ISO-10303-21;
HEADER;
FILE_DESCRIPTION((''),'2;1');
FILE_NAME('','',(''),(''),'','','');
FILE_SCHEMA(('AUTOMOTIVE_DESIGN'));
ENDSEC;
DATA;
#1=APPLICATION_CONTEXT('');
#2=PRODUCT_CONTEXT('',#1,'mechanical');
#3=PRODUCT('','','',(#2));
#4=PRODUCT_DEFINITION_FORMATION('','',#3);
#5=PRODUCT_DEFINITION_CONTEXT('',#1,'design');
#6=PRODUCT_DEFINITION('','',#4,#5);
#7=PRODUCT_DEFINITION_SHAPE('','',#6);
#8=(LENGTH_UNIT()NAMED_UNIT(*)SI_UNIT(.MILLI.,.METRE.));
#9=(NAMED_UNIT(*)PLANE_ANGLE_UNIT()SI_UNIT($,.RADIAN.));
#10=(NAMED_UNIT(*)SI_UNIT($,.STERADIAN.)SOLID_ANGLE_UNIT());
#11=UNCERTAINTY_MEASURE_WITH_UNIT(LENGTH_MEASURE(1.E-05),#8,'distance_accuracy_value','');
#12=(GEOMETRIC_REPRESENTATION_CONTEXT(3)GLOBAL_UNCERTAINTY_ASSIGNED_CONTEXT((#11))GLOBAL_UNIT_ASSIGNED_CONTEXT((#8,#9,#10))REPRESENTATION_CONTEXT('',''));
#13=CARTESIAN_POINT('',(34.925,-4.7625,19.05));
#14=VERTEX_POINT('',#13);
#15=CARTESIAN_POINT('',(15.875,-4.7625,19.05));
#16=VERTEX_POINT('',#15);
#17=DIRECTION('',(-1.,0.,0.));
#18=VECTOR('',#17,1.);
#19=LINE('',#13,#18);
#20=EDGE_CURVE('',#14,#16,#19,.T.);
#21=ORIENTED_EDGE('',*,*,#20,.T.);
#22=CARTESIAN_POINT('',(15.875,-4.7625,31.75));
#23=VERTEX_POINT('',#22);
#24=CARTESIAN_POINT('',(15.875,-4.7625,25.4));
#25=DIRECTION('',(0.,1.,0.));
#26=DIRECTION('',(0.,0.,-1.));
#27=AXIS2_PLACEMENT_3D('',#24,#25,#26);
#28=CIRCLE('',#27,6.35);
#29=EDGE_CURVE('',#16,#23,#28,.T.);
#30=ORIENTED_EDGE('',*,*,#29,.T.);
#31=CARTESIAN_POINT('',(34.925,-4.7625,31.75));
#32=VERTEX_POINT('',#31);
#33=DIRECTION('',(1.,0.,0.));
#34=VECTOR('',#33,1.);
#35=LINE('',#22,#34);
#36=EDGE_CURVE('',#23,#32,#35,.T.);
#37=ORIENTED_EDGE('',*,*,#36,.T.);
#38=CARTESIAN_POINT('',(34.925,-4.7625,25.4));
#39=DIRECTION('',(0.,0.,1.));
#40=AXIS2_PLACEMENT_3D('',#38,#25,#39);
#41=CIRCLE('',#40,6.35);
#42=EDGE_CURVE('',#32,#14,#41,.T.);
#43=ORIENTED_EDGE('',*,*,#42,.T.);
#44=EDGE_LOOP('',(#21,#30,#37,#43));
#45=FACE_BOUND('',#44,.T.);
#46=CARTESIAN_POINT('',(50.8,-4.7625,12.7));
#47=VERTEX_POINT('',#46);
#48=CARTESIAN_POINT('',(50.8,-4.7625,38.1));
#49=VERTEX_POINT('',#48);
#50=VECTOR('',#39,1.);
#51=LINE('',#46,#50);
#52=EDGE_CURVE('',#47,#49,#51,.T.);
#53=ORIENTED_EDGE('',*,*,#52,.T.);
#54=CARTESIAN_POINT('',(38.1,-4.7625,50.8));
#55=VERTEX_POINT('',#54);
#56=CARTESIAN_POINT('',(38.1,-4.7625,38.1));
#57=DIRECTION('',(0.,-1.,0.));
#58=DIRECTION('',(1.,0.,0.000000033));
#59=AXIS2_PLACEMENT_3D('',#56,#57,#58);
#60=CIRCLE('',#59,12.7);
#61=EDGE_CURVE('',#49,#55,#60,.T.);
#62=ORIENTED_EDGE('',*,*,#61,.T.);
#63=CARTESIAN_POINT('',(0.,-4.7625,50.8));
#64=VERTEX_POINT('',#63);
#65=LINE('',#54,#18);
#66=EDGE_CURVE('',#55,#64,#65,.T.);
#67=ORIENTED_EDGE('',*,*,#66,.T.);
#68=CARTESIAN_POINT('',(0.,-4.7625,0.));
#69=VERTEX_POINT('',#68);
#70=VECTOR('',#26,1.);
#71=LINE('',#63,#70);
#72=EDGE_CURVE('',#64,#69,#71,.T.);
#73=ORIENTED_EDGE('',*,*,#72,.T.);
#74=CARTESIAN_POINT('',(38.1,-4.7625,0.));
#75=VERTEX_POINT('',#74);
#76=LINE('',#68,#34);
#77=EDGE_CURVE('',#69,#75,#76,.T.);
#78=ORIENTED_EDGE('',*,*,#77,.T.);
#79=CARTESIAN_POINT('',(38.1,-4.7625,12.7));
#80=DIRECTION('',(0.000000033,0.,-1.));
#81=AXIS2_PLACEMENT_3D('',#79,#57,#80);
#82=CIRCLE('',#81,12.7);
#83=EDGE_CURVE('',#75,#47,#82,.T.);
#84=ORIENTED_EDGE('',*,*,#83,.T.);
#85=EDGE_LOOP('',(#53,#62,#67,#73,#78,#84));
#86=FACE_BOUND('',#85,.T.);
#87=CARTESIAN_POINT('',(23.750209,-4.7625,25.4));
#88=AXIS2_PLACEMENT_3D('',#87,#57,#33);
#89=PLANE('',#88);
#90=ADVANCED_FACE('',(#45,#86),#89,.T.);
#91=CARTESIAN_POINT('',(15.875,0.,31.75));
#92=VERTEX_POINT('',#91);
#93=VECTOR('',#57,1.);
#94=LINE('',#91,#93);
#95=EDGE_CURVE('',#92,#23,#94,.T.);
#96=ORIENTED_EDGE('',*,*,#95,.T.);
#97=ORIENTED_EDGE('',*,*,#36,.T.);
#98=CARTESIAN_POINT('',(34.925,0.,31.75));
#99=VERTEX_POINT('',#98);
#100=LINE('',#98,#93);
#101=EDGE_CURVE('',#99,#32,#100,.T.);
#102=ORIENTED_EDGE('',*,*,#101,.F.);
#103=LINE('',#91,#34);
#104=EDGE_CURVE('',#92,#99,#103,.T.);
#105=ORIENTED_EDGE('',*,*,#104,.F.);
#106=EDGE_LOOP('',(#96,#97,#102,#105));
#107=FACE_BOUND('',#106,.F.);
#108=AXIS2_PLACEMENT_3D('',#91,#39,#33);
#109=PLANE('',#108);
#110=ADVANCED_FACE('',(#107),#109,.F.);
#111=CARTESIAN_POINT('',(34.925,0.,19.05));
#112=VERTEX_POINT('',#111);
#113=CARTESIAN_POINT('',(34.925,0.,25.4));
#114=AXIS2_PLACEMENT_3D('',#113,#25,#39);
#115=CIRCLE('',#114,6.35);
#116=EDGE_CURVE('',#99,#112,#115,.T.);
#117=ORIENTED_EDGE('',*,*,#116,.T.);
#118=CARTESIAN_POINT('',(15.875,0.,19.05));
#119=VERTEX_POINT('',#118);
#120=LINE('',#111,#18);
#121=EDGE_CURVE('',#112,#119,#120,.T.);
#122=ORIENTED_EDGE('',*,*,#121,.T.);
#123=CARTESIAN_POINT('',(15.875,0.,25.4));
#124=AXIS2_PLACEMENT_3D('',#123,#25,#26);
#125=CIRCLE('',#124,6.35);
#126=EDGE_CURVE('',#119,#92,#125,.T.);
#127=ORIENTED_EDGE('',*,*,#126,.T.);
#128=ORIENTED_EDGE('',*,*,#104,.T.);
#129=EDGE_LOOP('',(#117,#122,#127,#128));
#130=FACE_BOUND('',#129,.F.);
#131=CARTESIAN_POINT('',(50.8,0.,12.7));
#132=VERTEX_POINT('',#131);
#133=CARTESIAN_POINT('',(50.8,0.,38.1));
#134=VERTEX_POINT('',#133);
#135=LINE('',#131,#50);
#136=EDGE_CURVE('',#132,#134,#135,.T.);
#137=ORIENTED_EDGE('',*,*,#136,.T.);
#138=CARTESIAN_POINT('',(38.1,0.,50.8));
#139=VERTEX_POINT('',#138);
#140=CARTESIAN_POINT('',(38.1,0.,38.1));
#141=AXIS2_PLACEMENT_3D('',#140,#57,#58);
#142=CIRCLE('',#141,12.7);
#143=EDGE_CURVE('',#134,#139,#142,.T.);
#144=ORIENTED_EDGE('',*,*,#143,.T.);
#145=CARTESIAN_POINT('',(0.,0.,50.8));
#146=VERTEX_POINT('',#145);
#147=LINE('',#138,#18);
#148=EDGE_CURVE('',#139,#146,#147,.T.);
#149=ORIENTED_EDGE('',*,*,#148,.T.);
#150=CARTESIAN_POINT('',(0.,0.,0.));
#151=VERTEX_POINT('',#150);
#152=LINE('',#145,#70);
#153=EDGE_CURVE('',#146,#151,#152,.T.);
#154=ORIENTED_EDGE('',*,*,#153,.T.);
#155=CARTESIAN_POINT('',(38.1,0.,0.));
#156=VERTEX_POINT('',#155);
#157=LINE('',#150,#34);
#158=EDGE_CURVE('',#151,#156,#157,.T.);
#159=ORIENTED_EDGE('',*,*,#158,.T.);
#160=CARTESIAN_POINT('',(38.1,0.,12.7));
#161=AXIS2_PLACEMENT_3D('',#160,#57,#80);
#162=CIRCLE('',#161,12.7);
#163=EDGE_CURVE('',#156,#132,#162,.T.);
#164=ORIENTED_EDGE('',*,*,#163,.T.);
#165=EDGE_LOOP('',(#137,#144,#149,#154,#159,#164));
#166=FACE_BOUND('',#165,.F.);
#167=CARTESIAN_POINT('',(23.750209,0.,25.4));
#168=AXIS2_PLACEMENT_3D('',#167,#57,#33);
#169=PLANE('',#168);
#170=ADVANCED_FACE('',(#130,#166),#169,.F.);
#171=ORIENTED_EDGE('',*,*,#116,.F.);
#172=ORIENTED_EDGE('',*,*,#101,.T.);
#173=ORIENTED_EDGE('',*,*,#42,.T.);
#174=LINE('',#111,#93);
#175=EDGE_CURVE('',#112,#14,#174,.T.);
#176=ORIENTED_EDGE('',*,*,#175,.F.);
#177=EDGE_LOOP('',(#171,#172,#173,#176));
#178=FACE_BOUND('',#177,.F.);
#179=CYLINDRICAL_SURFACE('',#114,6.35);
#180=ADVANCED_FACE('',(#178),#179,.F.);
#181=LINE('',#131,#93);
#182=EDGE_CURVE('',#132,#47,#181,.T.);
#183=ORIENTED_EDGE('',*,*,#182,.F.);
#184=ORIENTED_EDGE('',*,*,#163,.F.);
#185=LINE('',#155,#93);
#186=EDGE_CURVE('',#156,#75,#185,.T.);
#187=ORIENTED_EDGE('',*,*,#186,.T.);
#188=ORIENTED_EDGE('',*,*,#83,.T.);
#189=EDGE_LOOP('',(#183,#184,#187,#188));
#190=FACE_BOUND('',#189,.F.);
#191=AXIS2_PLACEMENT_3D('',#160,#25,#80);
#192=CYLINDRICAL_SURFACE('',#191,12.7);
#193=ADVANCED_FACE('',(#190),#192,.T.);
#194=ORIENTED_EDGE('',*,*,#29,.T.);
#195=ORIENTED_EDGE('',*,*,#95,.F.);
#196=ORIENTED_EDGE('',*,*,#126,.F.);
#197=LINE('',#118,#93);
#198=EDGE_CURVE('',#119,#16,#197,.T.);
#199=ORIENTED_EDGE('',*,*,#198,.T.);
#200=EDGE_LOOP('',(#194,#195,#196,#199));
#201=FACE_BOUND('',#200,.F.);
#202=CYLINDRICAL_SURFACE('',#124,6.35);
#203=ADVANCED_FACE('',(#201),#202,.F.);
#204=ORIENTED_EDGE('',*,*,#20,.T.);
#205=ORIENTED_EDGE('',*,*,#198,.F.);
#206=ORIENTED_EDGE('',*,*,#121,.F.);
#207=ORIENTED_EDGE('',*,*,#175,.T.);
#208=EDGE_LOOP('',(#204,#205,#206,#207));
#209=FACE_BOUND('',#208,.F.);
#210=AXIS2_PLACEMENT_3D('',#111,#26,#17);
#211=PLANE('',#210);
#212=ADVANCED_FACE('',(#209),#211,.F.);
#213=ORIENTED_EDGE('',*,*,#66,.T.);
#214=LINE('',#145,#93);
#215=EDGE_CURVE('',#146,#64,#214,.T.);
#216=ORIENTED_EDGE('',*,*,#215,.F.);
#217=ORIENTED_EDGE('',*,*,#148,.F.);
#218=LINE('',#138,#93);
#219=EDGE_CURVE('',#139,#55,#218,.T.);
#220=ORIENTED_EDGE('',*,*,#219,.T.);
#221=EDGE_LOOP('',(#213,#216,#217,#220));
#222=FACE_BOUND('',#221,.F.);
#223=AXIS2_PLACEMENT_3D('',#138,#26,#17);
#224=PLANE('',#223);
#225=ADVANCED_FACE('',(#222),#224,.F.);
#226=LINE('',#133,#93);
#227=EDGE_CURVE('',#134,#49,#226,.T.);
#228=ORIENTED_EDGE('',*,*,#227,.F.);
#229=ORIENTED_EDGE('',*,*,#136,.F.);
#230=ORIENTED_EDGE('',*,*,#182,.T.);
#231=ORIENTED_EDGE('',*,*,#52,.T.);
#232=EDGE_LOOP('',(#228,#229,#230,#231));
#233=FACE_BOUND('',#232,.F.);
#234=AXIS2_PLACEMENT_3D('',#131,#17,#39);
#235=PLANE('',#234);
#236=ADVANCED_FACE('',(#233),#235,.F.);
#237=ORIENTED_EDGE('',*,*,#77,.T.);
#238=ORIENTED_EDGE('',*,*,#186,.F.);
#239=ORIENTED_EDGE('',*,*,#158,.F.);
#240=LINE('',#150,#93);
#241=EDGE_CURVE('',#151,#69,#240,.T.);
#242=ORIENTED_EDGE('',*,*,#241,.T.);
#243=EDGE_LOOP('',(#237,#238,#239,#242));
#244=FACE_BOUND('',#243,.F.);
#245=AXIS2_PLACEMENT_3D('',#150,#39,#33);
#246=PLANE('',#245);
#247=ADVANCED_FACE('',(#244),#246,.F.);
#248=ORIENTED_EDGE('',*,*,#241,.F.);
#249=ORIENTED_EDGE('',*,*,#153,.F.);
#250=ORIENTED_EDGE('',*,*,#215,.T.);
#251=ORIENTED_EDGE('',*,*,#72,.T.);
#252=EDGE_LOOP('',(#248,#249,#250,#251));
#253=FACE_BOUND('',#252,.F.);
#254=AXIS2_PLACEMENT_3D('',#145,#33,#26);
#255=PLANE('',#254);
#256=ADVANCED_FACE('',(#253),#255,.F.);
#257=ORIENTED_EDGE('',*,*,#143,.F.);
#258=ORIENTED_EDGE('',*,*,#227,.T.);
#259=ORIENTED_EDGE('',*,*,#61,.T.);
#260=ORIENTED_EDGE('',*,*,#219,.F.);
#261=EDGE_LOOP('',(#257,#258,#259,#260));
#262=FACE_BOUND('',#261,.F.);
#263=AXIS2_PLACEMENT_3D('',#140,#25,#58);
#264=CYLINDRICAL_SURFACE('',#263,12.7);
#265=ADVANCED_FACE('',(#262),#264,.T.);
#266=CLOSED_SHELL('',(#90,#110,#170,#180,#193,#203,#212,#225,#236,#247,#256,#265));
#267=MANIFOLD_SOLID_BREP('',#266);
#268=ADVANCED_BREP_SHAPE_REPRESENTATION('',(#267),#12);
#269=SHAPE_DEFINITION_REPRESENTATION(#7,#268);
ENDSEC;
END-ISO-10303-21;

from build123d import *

# Parameters (mm, degrees)
F1_DEPTH = 4.7625


with BuildPart() as f1:
    # F0 (on Front) → F1 (new body)
    with BuildSketch(Plane.XZ):
        with BuildLine():
            Line((0, 50.8), (0, 0))
            Line((0, 0), (38.1, 0))
            ThreePointArc((38.1, 0), (47.080256, 3.719744), (50.8, 12.7))
            Line((50.8, 12.7), (50.8, 38.1))
            ThreePointArc((50.8, 38.1), (47.080256, 47.080256), (38.1, 50.8))
            Line((38.1, 50.8), (0, 50.8))
        make_face()
        with BuildLine():
            Line((34.925, 19.05), (15.875, 19.05))
            ThreePointArc((15.875, 19.05), (9.525, 25.4), (15.875, 31.75))
            Line((15.875, 31.75), (34.925, 31.75))
            ThreePointArc((34.925, 31.75), (41.275, 25.4), (34.925, 19.05))
        make_face(mode=Mode.SUBTRACT)
    extrude(amount=F1_DEPTH)


solid = f1.part
